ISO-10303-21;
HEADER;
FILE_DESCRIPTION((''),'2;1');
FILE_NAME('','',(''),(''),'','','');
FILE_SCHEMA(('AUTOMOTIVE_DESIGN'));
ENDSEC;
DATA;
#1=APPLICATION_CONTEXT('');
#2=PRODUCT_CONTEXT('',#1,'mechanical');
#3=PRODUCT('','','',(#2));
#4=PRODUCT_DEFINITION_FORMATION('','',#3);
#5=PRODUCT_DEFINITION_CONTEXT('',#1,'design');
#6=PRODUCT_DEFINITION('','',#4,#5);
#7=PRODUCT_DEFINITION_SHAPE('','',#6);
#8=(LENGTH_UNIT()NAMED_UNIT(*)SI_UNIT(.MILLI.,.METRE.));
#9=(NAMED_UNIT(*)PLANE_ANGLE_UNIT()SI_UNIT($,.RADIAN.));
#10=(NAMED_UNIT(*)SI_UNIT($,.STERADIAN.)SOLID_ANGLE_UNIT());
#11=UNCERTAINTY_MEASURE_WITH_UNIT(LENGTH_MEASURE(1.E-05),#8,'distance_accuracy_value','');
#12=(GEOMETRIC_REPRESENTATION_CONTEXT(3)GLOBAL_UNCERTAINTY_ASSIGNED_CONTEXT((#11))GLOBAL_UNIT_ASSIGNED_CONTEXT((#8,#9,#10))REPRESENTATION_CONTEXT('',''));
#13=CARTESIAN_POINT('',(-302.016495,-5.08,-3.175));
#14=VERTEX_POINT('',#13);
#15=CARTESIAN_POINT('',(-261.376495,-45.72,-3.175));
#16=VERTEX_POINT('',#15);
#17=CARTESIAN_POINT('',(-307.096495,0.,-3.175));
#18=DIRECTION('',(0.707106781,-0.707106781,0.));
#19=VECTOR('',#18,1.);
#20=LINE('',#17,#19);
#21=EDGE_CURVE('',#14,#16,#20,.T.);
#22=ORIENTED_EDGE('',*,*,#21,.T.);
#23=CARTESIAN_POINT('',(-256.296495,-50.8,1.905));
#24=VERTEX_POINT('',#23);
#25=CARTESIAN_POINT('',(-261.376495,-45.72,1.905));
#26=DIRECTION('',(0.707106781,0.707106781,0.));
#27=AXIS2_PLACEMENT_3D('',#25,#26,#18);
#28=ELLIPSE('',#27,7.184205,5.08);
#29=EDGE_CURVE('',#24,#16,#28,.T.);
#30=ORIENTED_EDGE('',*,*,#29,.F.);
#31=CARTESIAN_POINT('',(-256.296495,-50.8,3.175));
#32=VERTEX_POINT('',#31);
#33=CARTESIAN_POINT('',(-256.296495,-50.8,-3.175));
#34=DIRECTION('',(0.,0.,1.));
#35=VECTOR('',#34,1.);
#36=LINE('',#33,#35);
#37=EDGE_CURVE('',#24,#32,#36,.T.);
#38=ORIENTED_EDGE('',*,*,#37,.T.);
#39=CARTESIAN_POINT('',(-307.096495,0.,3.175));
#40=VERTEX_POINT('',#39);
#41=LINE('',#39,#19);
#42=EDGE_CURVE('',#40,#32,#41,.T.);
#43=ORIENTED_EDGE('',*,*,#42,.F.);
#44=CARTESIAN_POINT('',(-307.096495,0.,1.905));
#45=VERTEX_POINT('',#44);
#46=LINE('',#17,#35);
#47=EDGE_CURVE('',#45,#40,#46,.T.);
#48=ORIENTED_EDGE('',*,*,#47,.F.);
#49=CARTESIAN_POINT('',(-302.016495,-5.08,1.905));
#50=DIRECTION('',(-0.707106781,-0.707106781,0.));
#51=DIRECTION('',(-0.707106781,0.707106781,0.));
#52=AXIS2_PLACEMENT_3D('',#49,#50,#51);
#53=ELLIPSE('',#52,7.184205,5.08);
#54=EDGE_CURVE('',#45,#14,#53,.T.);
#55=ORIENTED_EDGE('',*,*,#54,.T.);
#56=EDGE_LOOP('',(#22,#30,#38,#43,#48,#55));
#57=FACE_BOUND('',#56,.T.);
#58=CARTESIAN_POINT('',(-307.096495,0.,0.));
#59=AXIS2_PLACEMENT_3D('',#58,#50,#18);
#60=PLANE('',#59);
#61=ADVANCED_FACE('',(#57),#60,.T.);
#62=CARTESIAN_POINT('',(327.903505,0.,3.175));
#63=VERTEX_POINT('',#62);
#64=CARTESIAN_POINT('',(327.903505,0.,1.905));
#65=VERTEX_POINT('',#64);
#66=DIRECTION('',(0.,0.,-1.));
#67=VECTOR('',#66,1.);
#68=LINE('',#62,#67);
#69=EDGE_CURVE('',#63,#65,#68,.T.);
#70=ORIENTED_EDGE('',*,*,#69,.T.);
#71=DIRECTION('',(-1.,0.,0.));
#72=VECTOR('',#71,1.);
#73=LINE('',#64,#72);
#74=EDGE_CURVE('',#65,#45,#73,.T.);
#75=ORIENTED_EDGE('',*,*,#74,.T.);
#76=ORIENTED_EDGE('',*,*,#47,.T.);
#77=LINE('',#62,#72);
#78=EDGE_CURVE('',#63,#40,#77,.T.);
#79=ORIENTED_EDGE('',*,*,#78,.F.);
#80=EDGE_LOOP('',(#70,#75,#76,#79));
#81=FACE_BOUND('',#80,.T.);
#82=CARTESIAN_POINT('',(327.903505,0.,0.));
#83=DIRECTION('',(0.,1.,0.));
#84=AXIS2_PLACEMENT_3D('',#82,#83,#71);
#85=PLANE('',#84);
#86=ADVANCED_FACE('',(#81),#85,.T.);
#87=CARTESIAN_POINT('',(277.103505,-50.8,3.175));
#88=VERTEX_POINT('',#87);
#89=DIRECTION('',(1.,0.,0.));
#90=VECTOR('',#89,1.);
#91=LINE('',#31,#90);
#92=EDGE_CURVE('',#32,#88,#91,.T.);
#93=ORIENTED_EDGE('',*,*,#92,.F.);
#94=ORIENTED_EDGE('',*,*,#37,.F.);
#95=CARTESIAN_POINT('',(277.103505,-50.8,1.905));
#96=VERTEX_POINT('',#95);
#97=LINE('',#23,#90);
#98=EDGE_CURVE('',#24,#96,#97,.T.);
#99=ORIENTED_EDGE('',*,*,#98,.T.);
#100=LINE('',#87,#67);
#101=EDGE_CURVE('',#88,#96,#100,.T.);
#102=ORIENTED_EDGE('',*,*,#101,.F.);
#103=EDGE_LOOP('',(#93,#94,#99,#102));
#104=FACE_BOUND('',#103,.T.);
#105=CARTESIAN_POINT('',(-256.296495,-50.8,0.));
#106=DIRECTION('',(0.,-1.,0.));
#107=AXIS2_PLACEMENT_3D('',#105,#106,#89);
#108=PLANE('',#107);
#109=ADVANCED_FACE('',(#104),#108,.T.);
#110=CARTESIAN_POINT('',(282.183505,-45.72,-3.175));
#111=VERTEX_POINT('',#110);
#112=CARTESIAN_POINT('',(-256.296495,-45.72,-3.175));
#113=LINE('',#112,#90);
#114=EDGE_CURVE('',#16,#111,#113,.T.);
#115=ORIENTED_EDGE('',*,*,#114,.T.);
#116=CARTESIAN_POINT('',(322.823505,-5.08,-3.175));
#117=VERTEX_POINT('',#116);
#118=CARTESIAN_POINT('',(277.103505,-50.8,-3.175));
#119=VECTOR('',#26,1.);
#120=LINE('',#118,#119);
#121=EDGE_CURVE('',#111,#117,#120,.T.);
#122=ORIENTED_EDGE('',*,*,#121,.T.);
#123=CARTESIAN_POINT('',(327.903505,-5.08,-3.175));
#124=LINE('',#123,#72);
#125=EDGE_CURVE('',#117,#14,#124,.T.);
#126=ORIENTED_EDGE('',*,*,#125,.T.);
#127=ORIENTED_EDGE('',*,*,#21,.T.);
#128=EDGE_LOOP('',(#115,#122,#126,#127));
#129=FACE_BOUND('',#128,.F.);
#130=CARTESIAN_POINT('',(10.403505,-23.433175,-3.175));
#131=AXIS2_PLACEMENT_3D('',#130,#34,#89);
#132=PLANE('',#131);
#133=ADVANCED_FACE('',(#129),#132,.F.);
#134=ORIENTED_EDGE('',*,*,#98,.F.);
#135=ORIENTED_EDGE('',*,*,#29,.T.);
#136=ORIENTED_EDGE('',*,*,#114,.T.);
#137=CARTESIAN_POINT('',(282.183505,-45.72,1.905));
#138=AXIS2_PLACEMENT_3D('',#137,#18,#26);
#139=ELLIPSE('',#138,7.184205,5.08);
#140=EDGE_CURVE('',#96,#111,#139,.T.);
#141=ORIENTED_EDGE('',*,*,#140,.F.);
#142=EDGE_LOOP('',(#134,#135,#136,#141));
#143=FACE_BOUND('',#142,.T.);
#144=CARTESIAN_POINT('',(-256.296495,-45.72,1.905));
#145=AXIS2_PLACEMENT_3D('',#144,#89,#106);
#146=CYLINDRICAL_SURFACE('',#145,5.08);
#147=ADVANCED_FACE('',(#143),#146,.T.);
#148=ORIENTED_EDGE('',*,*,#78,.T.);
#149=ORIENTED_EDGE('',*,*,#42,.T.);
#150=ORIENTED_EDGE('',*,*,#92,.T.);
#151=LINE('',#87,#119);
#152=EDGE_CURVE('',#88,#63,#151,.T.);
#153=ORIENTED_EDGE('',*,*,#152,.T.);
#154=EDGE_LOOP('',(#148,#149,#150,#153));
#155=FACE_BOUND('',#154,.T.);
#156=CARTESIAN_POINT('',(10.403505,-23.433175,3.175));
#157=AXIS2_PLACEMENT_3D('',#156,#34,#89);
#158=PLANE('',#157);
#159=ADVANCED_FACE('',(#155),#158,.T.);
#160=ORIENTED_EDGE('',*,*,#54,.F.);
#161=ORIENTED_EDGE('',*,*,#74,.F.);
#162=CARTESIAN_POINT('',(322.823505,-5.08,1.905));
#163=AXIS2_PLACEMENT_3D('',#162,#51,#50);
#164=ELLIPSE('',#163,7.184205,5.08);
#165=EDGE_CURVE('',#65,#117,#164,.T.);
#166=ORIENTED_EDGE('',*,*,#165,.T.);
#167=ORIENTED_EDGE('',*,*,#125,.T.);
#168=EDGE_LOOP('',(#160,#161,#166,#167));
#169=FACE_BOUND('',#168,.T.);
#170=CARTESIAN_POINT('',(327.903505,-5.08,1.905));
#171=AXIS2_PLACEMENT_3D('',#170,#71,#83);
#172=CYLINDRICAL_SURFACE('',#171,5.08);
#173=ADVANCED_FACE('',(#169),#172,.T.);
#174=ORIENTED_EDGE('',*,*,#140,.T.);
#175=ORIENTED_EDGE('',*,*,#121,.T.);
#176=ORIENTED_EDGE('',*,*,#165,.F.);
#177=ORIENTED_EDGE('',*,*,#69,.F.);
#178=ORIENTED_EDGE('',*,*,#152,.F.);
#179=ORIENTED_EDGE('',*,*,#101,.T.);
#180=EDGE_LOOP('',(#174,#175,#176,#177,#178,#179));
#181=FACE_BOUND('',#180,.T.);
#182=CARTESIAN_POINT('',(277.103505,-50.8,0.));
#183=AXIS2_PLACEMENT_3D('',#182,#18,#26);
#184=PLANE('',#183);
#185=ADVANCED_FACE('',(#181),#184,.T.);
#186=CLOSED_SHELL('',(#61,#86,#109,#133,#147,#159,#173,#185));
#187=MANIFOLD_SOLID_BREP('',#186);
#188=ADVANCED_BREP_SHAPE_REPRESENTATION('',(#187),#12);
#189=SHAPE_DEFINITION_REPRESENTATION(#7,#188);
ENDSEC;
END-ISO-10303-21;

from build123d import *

# Parameters (mm, degrees)
F1_DEPTH = 3.175
F2_R     = 5.08


with BuildPart() as f1:
    # F0 (on Top) → F1 (new body, symmetric)
    with BuildSketch(Plane.XY):
        Polygon((327.903505, 0), (-307.096495, 0), (-256.296495, -50.8), (277.103505, -50.8), align=None)
    extrude(amount=F1_DEPTH, both=True)

    # F2
    f2_edges = [f1.edges().sort_by_distance(p)[0] for p in [
        (10.403505, 0, -3.175),
        (10.403505, -50.8, -3.175),
    ]]
    fillet(f2_edges, radius=F2_R)


solid = f1.part
